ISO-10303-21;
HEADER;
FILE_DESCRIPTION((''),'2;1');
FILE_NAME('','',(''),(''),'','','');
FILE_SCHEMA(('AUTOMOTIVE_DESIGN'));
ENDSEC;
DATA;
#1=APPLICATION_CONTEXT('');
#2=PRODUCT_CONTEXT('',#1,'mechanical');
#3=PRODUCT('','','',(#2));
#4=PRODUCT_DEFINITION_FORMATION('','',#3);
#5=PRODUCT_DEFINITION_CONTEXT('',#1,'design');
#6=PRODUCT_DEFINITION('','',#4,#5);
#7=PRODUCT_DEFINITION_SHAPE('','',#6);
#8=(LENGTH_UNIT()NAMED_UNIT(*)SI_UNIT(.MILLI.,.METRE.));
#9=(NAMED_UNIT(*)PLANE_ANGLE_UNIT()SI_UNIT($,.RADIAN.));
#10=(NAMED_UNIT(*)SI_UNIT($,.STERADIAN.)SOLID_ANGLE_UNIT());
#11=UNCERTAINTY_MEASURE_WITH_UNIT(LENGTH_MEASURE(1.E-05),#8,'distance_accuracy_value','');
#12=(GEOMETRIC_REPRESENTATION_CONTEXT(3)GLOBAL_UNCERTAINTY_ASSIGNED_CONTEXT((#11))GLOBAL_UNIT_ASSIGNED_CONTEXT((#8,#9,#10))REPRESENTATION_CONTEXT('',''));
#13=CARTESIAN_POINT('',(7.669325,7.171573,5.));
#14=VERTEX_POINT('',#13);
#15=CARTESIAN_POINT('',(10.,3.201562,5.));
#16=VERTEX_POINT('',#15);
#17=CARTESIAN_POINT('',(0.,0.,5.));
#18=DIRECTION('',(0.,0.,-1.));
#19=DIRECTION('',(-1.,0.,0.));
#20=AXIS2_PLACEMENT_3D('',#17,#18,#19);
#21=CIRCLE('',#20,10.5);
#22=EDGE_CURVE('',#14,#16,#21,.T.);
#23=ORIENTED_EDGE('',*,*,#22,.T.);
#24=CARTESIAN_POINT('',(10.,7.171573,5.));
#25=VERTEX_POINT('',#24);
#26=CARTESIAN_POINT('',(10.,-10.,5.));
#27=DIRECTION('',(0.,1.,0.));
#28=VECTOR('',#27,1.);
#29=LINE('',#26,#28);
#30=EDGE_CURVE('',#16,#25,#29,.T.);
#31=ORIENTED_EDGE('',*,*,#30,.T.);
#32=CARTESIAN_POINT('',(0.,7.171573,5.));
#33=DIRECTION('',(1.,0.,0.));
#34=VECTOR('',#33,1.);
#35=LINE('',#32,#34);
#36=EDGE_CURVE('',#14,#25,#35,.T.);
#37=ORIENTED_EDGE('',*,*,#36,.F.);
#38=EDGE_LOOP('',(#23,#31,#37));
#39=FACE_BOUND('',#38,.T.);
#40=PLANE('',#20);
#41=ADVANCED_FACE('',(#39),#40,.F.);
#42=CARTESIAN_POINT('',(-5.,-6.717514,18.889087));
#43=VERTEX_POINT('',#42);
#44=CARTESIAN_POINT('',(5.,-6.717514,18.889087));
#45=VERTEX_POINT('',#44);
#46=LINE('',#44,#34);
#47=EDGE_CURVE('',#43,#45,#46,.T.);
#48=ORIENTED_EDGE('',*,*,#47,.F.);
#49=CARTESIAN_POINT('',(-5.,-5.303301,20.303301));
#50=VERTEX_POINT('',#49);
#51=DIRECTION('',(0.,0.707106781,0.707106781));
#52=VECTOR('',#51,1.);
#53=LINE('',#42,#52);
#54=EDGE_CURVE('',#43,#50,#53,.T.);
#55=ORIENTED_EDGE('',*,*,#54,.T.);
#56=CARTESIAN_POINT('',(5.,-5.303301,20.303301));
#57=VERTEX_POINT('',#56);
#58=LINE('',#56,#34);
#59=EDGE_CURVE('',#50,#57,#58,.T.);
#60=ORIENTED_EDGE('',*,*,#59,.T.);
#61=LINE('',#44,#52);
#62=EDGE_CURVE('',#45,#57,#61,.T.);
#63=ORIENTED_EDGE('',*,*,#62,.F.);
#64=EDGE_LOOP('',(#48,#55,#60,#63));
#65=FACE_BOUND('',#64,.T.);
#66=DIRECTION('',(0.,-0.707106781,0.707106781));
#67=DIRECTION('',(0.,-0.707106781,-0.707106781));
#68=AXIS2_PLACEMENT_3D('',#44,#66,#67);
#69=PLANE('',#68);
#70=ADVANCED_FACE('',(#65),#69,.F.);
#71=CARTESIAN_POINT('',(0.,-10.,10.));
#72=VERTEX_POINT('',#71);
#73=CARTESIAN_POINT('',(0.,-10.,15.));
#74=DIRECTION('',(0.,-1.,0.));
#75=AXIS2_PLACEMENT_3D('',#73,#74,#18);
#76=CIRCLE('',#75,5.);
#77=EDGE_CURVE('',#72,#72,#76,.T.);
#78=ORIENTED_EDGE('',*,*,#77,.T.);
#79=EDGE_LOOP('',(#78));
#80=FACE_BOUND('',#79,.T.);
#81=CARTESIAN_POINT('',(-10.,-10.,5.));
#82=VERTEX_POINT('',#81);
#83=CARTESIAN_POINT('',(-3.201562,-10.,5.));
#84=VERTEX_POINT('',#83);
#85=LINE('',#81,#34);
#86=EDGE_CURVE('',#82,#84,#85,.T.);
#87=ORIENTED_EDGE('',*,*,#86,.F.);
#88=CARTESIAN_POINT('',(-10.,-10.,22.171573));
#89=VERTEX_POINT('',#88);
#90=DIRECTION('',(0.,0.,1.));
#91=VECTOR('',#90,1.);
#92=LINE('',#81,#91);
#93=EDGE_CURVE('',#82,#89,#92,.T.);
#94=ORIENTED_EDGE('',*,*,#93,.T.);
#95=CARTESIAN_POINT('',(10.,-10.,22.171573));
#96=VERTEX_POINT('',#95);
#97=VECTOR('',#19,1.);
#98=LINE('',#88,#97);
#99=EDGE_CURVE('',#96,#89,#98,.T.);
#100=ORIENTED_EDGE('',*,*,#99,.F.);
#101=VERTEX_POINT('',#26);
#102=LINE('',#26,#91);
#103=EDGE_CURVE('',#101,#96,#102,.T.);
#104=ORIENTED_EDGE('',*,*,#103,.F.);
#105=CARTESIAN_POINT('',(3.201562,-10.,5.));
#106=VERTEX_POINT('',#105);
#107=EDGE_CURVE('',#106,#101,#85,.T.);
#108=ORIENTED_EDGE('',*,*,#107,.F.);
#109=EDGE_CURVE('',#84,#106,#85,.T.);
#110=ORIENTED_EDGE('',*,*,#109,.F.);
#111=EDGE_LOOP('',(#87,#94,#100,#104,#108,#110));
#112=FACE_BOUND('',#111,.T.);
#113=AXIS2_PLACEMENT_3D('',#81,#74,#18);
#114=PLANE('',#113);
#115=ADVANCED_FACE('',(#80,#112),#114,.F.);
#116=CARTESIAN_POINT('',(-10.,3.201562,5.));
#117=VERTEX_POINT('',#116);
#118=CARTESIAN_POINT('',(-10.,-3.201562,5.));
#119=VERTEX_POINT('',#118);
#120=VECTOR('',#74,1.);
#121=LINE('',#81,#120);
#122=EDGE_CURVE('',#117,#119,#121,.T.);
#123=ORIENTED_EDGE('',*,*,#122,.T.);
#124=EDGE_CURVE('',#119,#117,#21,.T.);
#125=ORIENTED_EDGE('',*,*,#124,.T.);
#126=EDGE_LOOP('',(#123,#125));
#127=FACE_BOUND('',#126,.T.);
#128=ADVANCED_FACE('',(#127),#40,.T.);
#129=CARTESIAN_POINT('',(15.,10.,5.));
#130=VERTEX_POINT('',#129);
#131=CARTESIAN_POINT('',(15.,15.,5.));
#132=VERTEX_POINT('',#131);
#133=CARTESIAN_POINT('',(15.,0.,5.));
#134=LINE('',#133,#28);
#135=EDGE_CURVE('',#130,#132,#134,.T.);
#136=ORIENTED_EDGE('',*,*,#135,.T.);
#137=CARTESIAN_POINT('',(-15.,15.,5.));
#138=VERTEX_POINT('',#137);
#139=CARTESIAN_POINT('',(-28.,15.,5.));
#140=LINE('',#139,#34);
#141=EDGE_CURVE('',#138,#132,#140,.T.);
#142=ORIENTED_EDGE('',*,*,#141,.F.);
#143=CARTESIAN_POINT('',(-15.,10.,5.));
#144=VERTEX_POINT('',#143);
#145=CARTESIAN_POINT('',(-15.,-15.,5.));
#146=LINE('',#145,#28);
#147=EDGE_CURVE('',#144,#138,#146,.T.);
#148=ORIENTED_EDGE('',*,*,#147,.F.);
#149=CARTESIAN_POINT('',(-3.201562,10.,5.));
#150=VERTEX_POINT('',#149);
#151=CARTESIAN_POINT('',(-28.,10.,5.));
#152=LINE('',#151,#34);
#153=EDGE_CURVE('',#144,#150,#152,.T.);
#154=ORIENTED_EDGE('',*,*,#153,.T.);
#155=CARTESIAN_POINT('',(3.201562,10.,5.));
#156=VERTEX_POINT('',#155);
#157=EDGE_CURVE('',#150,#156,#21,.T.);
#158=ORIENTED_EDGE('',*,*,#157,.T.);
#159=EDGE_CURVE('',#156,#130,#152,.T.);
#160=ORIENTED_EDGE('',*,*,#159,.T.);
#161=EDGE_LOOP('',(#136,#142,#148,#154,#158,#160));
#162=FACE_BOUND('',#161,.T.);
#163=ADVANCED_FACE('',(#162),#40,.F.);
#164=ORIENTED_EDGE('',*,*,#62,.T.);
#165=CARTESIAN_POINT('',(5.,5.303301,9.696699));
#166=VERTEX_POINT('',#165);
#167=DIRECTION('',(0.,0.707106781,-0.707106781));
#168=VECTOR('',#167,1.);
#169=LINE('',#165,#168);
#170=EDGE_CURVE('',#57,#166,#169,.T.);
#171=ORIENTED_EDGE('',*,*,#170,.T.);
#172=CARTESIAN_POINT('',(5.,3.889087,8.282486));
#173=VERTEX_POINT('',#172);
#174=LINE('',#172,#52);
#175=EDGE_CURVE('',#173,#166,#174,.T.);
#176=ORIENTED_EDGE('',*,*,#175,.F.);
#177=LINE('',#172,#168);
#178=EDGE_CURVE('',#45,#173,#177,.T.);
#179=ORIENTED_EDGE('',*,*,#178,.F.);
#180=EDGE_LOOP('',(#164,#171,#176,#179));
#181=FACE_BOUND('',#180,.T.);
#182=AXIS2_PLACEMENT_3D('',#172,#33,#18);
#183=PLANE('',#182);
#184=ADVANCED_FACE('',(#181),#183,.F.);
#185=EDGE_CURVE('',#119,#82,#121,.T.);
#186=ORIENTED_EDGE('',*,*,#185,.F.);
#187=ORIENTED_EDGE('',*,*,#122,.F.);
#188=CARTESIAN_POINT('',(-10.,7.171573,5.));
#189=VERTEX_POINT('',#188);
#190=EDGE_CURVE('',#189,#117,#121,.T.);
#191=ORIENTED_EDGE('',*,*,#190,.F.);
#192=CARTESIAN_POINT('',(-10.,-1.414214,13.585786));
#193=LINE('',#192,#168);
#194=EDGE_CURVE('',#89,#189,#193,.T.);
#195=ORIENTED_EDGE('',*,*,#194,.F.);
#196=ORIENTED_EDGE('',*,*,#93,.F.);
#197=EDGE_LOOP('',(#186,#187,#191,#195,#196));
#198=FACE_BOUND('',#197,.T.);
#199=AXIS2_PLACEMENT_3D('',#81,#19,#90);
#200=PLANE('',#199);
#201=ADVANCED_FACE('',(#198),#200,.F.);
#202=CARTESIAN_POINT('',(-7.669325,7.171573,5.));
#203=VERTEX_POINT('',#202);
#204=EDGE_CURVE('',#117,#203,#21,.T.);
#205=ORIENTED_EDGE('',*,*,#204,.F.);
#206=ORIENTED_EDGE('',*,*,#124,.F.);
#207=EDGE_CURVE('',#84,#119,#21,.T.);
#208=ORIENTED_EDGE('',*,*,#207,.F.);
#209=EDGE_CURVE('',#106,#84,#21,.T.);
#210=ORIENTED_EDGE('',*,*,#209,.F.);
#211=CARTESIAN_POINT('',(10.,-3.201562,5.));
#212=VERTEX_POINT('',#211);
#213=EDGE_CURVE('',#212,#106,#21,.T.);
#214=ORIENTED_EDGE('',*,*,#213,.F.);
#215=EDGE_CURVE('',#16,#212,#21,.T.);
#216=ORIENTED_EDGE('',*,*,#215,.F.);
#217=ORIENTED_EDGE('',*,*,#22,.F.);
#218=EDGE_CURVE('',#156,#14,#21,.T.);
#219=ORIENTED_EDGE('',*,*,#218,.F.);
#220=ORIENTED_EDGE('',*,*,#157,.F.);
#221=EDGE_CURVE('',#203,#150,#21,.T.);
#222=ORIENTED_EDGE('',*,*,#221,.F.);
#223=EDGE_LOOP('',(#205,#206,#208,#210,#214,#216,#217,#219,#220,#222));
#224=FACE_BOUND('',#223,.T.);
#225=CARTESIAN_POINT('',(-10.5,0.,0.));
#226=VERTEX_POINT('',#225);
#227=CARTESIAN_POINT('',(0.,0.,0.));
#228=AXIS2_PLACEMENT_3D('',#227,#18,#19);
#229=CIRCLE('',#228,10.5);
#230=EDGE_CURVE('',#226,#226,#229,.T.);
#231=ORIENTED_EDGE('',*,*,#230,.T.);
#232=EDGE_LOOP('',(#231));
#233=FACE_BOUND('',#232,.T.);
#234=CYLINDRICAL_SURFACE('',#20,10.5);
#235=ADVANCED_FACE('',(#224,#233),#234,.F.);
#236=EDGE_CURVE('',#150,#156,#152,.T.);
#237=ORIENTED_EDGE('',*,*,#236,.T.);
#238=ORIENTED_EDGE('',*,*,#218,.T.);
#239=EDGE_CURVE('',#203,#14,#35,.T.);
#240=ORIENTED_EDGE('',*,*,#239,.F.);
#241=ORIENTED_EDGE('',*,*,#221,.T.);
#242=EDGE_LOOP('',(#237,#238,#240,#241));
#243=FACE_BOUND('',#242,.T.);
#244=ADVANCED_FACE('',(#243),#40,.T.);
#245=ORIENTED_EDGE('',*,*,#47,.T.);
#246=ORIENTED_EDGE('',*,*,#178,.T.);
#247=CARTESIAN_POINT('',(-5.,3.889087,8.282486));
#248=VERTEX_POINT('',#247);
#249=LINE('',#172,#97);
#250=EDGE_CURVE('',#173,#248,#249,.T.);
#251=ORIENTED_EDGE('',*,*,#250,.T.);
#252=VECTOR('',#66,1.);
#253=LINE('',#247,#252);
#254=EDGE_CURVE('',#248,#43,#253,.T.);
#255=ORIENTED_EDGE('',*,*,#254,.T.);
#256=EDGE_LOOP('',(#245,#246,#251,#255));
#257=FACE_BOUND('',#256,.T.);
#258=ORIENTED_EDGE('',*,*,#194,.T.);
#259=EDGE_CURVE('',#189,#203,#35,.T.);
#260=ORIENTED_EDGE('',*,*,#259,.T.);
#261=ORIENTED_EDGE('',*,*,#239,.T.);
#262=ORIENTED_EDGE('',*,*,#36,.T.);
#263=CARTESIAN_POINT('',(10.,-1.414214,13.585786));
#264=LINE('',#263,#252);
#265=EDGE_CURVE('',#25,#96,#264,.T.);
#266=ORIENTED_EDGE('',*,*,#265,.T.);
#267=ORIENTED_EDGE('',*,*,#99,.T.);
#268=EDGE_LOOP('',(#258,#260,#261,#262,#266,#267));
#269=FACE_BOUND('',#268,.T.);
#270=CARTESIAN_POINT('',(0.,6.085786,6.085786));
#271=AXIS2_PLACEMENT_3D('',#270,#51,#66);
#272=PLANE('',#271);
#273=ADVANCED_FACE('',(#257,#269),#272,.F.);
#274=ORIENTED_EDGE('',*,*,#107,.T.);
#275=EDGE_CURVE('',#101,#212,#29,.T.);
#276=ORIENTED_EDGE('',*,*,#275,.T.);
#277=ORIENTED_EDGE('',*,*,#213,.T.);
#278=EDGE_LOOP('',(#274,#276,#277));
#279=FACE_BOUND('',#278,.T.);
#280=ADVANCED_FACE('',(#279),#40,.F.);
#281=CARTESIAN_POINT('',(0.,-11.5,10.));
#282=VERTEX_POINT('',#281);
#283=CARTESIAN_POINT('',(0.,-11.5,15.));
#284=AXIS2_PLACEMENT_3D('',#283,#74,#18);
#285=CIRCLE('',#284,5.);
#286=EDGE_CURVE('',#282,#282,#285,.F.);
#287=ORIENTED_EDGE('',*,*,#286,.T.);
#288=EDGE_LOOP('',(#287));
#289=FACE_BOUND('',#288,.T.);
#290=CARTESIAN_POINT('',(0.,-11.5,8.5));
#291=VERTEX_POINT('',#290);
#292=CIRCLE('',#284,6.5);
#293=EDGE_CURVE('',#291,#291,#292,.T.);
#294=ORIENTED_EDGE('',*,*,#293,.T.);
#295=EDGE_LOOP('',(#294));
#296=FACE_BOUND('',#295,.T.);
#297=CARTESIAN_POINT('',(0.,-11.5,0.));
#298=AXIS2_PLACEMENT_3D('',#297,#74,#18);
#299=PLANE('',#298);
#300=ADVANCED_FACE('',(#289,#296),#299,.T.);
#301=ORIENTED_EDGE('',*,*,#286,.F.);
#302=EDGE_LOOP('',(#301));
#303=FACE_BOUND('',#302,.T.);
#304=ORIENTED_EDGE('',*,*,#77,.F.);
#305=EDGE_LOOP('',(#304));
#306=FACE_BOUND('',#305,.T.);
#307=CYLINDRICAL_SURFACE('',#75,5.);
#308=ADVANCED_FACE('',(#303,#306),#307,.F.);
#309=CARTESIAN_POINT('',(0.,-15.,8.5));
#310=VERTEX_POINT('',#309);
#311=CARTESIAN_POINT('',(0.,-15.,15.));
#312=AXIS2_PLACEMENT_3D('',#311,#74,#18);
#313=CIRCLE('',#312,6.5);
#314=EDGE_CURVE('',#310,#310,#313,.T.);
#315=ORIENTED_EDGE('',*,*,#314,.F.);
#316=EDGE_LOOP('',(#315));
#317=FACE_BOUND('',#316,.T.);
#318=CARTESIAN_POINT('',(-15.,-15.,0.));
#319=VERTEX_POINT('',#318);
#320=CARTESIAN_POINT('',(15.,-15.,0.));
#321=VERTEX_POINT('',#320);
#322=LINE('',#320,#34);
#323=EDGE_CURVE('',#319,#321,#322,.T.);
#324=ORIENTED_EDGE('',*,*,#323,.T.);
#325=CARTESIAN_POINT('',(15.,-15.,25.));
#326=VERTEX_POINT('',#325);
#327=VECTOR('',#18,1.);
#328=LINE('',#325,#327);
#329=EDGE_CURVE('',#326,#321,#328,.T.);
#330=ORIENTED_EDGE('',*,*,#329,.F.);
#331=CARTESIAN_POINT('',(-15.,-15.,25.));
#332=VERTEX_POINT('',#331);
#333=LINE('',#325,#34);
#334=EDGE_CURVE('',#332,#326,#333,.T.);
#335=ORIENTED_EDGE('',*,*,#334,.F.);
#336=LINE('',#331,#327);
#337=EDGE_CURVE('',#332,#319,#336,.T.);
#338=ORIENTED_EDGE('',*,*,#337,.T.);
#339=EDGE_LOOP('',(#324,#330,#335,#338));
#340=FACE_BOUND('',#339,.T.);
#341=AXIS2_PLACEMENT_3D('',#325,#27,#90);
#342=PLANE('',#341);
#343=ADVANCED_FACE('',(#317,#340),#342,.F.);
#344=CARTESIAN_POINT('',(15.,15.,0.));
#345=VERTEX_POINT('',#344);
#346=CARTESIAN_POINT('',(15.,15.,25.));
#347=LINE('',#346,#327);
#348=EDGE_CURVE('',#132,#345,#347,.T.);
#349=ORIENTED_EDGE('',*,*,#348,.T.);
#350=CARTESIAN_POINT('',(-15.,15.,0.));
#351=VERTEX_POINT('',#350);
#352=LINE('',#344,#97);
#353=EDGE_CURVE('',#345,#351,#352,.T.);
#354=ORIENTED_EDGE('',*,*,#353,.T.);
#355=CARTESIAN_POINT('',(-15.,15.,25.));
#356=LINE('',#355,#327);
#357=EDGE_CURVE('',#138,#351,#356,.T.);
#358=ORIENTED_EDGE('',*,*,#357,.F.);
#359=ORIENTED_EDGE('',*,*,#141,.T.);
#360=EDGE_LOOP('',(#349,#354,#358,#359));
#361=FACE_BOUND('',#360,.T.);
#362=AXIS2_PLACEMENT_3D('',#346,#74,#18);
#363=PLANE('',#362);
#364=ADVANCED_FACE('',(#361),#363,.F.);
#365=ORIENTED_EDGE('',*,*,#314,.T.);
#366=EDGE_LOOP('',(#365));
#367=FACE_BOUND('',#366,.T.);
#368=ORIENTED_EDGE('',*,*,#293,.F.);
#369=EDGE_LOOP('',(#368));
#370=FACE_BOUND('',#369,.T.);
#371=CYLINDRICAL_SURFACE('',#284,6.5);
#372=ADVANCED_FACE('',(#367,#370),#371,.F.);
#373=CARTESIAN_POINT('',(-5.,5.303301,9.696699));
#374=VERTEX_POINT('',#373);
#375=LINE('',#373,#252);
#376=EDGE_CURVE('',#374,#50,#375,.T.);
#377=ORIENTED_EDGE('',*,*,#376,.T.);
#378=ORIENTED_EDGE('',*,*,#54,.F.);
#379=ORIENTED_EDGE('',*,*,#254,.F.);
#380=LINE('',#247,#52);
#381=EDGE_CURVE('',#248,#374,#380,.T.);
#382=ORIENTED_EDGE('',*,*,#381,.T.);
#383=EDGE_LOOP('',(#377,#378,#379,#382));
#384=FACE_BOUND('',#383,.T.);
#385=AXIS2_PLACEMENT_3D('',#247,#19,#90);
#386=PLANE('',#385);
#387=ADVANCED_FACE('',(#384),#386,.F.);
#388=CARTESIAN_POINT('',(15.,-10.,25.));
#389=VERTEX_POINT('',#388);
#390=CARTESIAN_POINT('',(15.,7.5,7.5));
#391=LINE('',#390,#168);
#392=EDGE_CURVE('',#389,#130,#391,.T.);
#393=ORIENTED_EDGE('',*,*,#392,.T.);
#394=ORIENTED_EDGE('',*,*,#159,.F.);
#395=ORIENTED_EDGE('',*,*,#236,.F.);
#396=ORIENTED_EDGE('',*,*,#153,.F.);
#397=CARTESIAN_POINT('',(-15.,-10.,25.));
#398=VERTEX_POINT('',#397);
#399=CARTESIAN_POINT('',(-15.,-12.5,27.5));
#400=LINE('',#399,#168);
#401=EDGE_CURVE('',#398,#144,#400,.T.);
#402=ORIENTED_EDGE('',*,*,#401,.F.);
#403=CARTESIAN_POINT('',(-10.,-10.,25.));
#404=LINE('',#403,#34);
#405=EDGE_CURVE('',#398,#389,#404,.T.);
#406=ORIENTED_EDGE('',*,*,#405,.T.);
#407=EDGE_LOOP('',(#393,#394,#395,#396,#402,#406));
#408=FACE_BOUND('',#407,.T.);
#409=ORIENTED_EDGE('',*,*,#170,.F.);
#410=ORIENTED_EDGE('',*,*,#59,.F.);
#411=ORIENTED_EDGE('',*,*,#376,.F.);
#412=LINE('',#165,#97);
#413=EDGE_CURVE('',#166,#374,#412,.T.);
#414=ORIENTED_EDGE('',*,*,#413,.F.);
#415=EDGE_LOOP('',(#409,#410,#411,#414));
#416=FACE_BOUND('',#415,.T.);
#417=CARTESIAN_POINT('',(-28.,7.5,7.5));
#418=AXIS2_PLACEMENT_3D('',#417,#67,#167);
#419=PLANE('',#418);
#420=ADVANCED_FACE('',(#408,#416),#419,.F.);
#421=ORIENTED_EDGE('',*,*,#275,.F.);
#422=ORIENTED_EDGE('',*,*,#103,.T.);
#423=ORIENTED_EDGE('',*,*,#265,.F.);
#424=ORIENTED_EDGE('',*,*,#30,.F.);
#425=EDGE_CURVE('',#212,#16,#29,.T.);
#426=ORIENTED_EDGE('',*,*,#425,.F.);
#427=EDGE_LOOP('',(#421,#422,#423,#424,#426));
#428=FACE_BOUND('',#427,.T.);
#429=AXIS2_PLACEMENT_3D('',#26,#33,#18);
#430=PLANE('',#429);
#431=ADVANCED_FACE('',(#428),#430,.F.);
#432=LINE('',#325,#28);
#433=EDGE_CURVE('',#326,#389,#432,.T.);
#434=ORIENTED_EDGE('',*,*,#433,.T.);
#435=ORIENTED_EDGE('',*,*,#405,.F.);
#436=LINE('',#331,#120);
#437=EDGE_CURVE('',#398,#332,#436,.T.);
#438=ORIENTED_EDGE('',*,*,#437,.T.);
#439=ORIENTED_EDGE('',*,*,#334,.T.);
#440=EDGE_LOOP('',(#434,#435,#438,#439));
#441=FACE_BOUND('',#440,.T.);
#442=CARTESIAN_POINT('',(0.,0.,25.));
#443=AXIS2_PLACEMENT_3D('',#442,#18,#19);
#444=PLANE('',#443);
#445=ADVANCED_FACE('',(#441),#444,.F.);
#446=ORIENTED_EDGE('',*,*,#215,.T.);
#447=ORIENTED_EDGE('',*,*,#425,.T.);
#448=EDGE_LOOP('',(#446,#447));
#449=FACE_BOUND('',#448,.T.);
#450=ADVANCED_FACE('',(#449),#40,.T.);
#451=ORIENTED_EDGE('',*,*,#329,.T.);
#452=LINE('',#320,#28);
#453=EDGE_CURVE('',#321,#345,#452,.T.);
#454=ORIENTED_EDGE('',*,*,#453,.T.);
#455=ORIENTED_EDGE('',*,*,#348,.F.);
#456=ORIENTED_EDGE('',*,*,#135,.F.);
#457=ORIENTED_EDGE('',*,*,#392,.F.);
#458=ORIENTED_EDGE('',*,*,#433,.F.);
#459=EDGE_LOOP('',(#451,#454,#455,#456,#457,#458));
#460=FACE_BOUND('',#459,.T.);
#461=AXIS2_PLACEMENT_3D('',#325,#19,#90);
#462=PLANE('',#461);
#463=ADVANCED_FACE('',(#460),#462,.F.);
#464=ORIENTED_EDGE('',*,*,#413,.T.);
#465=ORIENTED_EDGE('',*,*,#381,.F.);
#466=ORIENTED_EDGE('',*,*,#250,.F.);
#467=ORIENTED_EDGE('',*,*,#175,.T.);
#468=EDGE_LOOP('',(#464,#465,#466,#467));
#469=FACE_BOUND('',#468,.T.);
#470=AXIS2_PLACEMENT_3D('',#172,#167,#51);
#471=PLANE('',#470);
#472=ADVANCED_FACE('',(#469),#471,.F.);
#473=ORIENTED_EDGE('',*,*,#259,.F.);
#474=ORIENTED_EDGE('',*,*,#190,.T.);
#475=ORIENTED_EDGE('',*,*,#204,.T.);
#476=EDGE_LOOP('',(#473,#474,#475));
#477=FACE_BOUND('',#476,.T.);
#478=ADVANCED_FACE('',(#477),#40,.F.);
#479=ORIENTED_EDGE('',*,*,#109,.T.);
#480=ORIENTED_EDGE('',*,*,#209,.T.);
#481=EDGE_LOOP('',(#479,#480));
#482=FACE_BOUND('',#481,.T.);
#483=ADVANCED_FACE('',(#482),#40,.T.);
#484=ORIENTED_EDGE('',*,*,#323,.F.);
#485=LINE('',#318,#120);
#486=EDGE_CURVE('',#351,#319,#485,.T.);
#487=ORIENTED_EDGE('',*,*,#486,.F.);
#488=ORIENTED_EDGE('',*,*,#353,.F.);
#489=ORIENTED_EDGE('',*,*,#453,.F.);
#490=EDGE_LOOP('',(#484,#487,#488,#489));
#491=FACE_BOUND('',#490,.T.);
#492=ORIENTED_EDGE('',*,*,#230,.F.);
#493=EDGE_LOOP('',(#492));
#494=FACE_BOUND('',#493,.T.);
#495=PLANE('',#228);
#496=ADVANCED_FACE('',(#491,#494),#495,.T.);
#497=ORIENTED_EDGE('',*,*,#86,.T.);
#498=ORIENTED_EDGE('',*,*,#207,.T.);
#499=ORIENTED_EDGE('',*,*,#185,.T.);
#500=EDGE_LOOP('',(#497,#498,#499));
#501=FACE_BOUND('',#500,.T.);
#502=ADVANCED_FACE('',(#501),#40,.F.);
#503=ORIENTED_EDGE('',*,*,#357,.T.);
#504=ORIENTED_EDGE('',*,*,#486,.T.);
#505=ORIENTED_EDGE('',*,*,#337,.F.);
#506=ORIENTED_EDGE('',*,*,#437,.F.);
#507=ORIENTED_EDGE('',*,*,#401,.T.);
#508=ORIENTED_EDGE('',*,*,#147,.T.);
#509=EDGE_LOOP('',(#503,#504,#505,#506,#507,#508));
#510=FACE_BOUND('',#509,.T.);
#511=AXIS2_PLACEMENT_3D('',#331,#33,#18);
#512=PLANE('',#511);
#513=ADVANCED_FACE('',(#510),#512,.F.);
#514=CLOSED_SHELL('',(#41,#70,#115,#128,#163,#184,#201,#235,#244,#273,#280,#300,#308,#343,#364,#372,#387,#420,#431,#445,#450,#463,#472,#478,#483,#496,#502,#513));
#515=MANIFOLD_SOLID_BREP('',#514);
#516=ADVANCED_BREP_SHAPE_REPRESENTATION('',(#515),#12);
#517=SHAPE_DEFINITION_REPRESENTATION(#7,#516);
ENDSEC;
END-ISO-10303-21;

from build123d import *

# Parameters (mm, degrees)
SKETCH1_W           = 30
SKETCH1_H           = 30
BOSS_EXTRUDE1_DEPTH = 25
SKETCH2_W           = 20
SKETCH2_H           = 20
CUT_EXTRUDE1_DEPTH  = 20
CUT_EXTRUDE2_DEPTH  = 43
SKETCH4_W           = 30
SKETCH4_H           = 28.284271248
SKETCH4_W_2         = 10
SKETCH4_H_2         = 15
BOSS_EXTRUDE2_DEPTH = 2
SKETCH5_R           = 10.5
CUT_EXTRUDE4_DEPTH  = 5
SKETCH6_R           = 5
CUT_EXTRUDE6_DEPTH  = 5
SKETCH7_R           = 6.5
SKETCH7_R_2         = 5
CUT_EXTRUDE7_DEPTH  = 3.5


with BuildPart() as part:
    # Sketch1 → Boss-Extrude1 (new body)
    with BuildSketch(Plane(origin=(0, 0, 0), x_dir=(0, 1, 0), z_dir=(0, 0, 1))):
        Rectangle(SKETCH1_W, SKETCH1_H)
    extrude(amount=BOSS_EXTRUDE1_DEPTH)

    # Sketch2 → Cut-Extrude1 (cut)
    with BuildSketch(Plane.XY.offset(25)):
        Rectangle(SKETCH2_W, SKETCH2_H)
    extrude(amount=-CUT_EXTRUDE1_DEPTH, mode=Mode.SUBTRACT)

    # Sketch3 → Cut-Extrude2 (cut)
    with BuildSketch(Plane.YZ.offset(15)):
        Polygon((15, 25), (-10, 25), (10, 5), (15, 5), align=None)
    extrude(amount=-CUT_EXTRUDE2_DEPTH, mode=Mode.SUBTRACT)

    # Sketch4 → Boss-Extrude2 (add)
    with BuildSketch(Plane(origin=(0, 7.5, 7.5), x_dir=(-1, 0, 0), z_dir=(0, 0.7071067811865477, 0.7071067811865475))):
        with Locations((0, 10.606601718)):
            Rectangle(SKETCH4_W, SKETCH4_H)
        with Locations((0, 10.606601718)):
            Rectangle(SKETCH4_W_2, SKETCH4_H_2, mode=Mode.SUBTRACT)
    extrude(amount=-BOSS_EXTRUDE2_DEPTH)

    # Sketch5 → Cut-Extrude4 (cut)
    with BuildSketch(Plane(origin=(0, 0, 0), x_dir=(1, 0, 0), z_dir=(0, 0, -1))):
        with Locations(Location((0, 0, 0), (0, 0, 180))):
            Circle(SKETCH5_R)
    extrude(amount=-CUT_EXTRUDE4_DEPTH, mode=Mode.SUBTRACT)

    # Sketch6 → Cut-Extrude6 (cut)
    with BuildSketch(Plane.XZ.offset(15)):
        with Locations(Location((0, 15, 0), (0, 0, 270))):
            Circle(SKETCH6_R)
    extrude(amount=-CUT_EXTRUDE6_DEPTH, mode=Mode.SUBTRACT)

    # Sketch7 → Cut-Extrude7 (cut)
    with BuildSketch(Plane.XZ.offset(15)):
        with Locations(Location((0, 15, 0), (0, 0, 270))):
            Circle(SKETCH7_R)
        with Locations(Location((0, 15, 0), (0, 0, 270))):
            Circle(SKETCH7_R_2, mode=Mode.SUBTRACT)
    extrude(amount=-CUT_EXTRUDE7_DEPTH, mode=Mode.SUBTRACT)


solid = part.part
